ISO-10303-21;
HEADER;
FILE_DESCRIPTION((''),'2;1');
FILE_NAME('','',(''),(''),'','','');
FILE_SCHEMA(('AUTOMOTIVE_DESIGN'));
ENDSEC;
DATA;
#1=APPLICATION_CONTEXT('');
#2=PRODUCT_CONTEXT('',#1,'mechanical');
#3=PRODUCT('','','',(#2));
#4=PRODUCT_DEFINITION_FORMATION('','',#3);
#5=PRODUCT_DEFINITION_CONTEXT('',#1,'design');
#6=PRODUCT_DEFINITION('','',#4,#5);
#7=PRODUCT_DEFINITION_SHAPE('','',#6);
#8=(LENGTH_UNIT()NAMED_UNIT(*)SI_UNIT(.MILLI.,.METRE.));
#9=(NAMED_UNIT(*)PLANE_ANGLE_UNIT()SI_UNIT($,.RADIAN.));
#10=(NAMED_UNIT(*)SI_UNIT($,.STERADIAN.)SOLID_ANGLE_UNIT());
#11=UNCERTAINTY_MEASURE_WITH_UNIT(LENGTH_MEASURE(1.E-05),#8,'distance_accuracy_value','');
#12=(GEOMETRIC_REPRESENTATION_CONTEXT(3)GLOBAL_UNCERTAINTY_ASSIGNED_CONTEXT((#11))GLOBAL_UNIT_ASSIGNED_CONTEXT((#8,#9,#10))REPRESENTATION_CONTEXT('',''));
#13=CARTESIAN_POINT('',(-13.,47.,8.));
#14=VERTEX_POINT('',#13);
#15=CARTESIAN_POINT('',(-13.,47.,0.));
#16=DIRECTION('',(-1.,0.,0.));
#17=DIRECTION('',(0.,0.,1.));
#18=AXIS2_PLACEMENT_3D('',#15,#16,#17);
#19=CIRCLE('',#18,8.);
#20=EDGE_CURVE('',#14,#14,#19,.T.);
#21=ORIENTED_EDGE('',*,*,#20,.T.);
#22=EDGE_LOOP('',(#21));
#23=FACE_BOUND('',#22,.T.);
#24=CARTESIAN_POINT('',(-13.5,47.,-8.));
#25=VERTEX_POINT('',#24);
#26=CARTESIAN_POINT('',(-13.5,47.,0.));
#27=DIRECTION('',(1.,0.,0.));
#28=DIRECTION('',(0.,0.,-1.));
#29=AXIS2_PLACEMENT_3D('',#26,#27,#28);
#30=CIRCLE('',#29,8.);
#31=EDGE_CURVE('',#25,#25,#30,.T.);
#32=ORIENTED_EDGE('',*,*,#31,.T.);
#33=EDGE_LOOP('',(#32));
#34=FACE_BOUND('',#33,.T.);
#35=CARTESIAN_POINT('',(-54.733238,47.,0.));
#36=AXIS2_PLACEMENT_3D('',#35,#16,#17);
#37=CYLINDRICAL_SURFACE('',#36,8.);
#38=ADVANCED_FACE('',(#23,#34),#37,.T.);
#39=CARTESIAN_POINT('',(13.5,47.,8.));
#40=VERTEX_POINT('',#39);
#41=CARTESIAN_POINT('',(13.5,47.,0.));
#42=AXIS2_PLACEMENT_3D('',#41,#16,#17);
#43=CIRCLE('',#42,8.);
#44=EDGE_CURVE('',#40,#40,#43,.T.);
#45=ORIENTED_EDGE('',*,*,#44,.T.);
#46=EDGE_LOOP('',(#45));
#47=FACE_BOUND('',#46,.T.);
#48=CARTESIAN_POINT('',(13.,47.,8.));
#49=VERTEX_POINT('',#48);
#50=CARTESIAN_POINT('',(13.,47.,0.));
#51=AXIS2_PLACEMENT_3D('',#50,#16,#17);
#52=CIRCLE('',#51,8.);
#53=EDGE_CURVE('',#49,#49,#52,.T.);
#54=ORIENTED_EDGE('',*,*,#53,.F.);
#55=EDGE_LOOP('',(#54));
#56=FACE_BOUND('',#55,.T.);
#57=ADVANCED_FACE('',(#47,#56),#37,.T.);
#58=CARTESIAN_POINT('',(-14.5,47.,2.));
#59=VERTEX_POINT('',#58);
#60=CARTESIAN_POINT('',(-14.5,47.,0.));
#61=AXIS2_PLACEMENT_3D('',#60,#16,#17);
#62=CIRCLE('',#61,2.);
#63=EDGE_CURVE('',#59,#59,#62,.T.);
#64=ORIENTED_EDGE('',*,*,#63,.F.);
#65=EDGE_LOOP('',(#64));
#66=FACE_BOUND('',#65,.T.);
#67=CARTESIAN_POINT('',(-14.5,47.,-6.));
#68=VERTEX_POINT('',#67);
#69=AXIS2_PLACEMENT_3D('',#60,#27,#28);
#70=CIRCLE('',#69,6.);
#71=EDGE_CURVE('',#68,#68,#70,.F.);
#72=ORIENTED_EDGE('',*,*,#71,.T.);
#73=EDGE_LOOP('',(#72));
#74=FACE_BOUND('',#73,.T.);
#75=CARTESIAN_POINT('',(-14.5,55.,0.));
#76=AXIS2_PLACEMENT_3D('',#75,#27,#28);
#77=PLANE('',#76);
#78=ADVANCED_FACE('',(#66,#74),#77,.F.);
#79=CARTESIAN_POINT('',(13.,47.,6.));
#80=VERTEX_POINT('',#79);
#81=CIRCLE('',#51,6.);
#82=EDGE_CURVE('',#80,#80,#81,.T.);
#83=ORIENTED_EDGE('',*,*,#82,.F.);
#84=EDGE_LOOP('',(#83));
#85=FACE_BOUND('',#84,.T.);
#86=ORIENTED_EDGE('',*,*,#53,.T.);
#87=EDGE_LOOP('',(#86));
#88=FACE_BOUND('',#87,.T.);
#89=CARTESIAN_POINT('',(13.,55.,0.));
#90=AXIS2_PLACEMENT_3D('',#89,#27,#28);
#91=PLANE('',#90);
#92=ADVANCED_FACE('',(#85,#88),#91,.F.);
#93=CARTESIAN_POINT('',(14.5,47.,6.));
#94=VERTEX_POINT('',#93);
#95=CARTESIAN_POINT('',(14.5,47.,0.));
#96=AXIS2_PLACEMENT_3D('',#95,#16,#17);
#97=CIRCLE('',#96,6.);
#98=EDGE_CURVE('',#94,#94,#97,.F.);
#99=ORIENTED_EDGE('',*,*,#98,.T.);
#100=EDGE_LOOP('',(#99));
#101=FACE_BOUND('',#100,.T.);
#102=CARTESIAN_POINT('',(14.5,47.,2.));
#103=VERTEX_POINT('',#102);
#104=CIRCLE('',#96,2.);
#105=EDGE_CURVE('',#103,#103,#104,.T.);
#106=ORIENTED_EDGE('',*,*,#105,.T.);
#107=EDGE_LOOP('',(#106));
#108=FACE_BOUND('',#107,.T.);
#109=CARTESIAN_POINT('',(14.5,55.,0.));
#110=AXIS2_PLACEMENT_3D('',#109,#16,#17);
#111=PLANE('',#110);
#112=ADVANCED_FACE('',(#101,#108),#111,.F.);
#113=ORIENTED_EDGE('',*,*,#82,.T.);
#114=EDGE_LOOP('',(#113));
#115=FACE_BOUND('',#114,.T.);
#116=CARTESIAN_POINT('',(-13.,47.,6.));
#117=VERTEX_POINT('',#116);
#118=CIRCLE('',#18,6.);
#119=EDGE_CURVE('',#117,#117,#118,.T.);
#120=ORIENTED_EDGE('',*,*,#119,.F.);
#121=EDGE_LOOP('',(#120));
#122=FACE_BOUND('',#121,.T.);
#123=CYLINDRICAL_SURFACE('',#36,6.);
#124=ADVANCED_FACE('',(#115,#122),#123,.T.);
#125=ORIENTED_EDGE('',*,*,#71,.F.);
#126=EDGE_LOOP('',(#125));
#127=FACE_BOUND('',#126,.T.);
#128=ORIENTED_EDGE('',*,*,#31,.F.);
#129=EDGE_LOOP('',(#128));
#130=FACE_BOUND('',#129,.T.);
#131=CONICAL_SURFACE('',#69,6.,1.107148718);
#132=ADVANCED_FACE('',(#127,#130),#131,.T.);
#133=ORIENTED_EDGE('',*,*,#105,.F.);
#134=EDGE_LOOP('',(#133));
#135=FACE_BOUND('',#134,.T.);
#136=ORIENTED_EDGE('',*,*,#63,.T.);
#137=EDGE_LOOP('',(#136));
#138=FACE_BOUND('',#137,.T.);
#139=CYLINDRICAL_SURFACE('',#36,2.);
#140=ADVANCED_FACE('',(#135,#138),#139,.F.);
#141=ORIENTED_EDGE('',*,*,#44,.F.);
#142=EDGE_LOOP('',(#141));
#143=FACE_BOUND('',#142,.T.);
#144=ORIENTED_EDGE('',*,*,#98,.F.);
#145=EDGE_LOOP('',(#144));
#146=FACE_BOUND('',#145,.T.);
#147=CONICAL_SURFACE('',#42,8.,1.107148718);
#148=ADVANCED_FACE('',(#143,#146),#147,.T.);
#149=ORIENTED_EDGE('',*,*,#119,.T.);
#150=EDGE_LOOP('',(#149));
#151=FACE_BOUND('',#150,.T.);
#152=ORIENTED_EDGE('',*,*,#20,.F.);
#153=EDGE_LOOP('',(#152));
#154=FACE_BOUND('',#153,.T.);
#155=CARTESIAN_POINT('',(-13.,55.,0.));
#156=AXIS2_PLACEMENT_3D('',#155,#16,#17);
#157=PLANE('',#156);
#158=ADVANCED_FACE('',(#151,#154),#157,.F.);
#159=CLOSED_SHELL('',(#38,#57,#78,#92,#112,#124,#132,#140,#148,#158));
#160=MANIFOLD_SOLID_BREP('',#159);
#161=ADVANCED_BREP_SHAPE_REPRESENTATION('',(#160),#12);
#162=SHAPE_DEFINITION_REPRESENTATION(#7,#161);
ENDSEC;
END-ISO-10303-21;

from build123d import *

# Parameters (mm, degrees)
CHAMFER_1_SIZE  = 1
CHAMFER_1_SIZE2 = 2
CHAMFER_2_SIZE  = 2
CHAMFER_2_SIZE2 = 1


with BuildPart() as part:
    # 草图2 → 旋转1 (revolve)
    with BuildSketch(Plane.XY, mode=Mode.PRIVATE) as revolve_1_sk:
        Polygon((-13, 53), (13, 53), (13, 55), (14.5, 55), (14.5, 49), (-14.5, 49), (-14.5, 55), (-13, 55), align=None)
    revolve(revolve_1_sk.sketch.rotate(Axis((-54.733238043, 47, 0), (1, 0, 0)), 90), axis=Axis((-54.733238043, 47, 0), (1, 0, 0)))

    # 倒角1
    chamfer_1_edges = [part.edges().sort_by_distance(p)[0] for p in [
        (-14.5, 47, -8),
    ]]
    chamfer_1_side = [part.faces().sort_by_distance(p)[0] for p in [
        (-13.75, 47, -8),
    ]]
    chamfer(chamfer_1_edges, length=CHAMFER_1_SIZE, length2=CHAMFER_1_SIZE2, reference=chamfer_1_side[0])

    # 倒角2
    chamfer_2_edges = [part.edges().sort_by_distance(p)[0] for p in [
        (14.5, 47, -8),
    ]]
    chamfer_2_side = [part.faces().sort_by_distance(p)[0] for p in [
        (14.5, 47, -7.77372583),
    ]]
    chamfer(chamfer_2_edges, length=CHAMFER_2_SIZE, length2=CHAMFER_2_SIZE2, reference=chamfer_2_side[0])


solid = part.part
